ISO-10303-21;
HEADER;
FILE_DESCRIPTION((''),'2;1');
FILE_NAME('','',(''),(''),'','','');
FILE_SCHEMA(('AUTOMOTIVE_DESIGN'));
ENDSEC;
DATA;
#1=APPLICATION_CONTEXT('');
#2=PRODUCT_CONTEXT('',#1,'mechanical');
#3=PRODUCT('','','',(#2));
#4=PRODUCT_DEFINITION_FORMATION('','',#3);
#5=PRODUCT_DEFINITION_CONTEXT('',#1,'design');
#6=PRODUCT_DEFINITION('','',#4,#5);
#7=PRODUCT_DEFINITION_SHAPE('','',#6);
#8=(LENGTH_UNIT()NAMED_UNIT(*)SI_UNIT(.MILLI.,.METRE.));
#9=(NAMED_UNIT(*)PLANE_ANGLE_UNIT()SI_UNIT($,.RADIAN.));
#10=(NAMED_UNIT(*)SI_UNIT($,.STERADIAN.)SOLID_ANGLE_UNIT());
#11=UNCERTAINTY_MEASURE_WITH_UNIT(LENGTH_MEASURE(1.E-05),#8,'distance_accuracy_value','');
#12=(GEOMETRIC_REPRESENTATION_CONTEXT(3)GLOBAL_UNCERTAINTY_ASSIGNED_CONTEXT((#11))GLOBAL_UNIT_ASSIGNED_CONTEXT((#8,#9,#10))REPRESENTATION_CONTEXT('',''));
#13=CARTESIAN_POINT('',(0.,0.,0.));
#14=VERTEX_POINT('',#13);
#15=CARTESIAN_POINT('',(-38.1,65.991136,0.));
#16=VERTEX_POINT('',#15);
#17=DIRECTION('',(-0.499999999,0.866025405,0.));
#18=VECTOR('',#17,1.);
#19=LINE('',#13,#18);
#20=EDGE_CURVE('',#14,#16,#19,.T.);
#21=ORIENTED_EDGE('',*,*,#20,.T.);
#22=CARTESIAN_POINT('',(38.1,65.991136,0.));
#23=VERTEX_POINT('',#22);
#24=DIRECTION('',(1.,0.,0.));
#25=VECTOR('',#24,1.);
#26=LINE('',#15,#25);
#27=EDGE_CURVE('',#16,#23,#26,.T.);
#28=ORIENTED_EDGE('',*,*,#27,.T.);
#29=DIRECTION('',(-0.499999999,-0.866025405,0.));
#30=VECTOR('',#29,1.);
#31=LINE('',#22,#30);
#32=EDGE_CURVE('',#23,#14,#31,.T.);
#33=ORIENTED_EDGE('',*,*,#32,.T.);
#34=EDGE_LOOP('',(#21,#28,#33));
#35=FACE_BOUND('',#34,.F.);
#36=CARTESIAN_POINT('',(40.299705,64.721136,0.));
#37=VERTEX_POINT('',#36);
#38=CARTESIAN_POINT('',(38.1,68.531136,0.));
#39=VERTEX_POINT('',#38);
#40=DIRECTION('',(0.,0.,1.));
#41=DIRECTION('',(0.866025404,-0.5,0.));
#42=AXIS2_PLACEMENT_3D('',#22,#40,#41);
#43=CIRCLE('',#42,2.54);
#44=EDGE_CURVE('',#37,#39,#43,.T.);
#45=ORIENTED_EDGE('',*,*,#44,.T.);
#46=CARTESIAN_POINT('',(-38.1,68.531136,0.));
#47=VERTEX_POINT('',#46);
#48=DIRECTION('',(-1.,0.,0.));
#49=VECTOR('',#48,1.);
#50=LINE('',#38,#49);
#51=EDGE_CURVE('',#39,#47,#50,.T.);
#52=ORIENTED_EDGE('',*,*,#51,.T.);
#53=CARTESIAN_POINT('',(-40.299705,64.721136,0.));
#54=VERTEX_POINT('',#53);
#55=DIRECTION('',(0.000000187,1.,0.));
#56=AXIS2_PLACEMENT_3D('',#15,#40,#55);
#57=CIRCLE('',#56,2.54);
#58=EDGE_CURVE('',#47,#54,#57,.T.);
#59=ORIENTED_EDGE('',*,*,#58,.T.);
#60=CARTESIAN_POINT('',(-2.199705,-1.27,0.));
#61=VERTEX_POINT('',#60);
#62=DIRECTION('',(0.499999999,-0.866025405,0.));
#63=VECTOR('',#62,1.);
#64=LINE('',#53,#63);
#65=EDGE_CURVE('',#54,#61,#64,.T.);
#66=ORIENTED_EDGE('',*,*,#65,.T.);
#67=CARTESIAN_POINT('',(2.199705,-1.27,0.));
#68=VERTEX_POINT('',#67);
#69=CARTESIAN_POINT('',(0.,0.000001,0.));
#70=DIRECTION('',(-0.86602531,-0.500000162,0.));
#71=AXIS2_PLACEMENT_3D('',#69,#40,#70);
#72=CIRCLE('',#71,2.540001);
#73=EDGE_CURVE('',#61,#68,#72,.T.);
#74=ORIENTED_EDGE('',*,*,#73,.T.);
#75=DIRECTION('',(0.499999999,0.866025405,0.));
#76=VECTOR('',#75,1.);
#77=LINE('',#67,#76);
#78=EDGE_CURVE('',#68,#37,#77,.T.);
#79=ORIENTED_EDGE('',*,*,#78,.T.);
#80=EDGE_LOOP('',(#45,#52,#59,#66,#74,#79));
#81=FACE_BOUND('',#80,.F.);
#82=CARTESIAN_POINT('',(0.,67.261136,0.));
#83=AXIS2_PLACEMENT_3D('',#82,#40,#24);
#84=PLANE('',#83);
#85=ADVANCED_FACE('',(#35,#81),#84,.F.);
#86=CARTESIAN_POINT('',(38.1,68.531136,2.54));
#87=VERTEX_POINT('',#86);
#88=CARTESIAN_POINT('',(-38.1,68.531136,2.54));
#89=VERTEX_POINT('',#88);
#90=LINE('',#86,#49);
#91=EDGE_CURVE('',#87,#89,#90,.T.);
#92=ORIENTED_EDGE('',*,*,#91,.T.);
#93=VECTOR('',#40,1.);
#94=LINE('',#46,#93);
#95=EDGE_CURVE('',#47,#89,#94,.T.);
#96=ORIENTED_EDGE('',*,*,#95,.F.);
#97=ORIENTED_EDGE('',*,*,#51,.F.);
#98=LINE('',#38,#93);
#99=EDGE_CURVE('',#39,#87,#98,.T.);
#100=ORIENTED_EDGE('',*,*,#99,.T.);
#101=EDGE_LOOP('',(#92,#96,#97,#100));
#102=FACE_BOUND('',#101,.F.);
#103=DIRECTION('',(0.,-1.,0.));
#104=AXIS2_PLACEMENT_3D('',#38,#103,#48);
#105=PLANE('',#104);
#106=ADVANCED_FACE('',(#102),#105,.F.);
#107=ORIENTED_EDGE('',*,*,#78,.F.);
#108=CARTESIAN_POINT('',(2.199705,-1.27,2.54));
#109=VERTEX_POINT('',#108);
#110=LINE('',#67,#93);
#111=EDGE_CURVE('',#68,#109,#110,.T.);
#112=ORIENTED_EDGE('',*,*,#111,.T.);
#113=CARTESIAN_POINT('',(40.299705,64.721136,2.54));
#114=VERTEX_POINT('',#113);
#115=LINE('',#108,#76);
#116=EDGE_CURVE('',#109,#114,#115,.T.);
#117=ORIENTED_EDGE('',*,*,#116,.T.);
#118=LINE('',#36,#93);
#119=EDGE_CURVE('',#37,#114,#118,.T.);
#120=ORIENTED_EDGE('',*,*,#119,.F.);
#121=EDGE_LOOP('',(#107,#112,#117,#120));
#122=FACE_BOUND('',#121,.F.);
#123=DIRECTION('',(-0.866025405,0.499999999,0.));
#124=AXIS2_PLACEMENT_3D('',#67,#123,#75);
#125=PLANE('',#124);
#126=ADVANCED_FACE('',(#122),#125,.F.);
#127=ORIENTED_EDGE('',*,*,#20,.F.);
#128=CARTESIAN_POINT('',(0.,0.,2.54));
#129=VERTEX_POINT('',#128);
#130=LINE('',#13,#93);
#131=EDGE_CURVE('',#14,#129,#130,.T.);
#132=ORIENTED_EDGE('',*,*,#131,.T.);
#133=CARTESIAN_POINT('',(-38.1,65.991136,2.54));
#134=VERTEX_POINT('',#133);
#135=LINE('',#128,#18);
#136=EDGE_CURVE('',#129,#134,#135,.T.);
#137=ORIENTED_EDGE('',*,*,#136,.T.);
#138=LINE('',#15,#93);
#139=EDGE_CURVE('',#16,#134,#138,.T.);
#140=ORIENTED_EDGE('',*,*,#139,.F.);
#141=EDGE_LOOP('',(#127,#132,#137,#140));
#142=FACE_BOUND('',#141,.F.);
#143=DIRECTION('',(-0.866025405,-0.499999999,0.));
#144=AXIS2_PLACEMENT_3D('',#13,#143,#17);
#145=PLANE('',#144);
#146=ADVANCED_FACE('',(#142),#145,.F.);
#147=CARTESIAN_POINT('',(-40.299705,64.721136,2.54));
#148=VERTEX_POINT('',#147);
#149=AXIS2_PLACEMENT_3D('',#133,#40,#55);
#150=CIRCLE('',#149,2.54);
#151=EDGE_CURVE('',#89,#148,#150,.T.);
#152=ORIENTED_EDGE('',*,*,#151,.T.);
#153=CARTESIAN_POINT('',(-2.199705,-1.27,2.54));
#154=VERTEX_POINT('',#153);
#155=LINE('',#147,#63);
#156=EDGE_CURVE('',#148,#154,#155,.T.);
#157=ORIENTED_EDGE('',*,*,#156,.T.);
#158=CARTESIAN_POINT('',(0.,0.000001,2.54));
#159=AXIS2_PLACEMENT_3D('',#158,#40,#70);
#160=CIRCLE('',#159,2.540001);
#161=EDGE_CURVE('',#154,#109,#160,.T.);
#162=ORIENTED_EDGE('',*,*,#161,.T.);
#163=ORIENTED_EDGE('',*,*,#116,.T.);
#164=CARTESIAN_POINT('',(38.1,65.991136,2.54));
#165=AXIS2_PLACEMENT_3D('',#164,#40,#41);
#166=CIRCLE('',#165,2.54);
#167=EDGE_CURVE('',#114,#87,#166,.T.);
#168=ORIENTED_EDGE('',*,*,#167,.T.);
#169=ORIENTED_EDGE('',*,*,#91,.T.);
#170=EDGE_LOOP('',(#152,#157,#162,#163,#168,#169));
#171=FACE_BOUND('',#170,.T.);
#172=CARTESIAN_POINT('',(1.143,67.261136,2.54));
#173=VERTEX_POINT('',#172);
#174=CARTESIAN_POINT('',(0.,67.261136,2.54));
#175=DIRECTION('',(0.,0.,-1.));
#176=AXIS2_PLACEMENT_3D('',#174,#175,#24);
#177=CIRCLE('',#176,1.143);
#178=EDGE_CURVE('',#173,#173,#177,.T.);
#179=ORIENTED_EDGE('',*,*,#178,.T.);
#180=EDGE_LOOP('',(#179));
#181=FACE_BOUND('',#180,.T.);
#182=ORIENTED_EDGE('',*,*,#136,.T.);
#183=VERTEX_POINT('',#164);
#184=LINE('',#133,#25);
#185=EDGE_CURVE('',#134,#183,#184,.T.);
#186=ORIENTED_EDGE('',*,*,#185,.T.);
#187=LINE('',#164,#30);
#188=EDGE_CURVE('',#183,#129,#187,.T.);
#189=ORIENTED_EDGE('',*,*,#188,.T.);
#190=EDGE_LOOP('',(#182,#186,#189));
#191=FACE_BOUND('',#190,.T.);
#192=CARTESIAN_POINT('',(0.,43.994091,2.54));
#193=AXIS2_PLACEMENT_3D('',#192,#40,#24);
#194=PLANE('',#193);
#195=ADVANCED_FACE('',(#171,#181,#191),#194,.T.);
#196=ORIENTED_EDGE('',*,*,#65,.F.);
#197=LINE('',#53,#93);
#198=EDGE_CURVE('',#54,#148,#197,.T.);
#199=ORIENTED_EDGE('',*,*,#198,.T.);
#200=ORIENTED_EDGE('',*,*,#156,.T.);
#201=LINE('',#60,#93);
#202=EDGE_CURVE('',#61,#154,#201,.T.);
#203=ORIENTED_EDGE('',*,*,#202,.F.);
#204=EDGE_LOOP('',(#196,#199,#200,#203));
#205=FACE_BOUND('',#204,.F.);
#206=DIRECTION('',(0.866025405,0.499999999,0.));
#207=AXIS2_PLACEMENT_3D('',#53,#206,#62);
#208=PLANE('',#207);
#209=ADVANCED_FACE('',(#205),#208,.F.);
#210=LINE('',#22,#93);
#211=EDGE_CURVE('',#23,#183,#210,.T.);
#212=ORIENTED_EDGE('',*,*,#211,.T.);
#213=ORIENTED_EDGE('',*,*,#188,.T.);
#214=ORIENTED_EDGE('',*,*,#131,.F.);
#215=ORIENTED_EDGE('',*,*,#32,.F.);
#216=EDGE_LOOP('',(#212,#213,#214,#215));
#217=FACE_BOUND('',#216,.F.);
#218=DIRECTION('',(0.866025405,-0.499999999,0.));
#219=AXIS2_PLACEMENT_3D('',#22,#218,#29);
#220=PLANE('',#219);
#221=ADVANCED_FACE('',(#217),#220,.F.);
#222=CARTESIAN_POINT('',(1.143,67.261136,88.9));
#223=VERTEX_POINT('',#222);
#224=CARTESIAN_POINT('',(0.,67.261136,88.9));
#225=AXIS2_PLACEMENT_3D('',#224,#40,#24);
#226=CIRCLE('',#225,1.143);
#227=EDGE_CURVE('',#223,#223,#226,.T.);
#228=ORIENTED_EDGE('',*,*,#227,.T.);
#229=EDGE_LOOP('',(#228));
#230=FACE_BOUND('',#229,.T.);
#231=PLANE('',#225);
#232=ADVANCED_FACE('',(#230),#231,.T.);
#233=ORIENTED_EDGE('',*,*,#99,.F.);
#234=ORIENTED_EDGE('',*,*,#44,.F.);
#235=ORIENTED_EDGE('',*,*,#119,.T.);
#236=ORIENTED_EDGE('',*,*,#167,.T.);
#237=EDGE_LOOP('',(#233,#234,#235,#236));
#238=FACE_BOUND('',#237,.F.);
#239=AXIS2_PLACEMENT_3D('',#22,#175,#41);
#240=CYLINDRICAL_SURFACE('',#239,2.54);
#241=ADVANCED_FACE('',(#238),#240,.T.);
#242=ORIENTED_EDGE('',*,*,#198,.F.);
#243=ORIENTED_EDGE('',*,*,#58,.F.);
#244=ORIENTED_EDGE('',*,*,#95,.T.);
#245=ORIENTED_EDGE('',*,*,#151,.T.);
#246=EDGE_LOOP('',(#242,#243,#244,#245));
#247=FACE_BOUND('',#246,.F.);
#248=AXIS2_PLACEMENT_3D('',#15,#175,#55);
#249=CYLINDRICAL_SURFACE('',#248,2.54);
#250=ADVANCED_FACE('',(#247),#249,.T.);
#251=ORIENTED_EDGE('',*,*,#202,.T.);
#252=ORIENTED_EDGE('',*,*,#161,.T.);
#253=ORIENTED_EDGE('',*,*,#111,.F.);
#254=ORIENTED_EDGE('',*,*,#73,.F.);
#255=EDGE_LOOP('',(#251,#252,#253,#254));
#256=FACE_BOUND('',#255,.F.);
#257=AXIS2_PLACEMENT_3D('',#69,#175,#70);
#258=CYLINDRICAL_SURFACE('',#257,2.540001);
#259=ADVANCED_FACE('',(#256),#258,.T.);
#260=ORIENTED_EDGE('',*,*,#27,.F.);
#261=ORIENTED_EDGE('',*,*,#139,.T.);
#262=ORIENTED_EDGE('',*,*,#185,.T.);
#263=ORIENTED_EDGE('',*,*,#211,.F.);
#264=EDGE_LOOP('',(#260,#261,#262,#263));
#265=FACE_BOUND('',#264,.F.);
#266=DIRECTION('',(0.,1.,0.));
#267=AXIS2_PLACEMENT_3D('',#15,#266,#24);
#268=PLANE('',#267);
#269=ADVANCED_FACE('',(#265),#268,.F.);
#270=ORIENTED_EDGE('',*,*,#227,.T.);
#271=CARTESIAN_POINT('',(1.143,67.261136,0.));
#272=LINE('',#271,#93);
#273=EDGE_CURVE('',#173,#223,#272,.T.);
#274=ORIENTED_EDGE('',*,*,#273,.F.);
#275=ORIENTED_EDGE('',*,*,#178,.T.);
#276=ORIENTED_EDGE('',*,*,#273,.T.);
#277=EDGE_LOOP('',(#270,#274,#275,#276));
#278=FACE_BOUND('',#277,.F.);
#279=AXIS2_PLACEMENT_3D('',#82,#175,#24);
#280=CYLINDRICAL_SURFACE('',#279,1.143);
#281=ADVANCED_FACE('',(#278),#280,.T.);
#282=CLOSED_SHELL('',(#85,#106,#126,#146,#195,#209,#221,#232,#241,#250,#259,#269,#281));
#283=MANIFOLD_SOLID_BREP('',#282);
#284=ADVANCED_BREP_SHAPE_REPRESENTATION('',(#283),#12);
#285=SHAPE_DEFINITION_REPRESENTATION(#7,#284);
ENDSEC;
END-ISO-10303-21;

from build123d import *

# Parameters (mm, degrees)
F1_DEPTH = 2.54
F2_R     = 1.143
F3_DEPTH = 88.9


with BuildPart() as f1:
    # F0 (on Top) → F1 (new body)
    with BuildSketch(Plane.XY):
        with BuildLine():
            Line((38.1, 68.531136), (-38.1, 68.531136))
            ThreePointArc((-38.1, 68.531136), (-40.299705, 67.261136), (-40.299705, 64.721136))
            Line((-40.299705, 64.721136), (-2.199705, -1.27))
            ThreePointArc((-2.199705, -1.27), (0, -2.54), (2.199705, -1.27))
            Line((2.199705, -1.27), (40.299705, 64.721136))
            ThreePointArc((40.299705, 64.721136), (40.299705, 67.261136), (38.1, 68.531136))
        make_face()
        Polygon((38.1, 65.991136), (0, 0), (-38.1, 65.991136), align=None, mode=Mode.SUBTRACT)
    extrude(amount=F1_DEPTH)

    # F2 (on Top) → F3 (join)
    with BuildSketch(Plane.XY):
        with Locations((0, 67.261136)):
            Circle(F2_R)
    extrude(amount=F3_DEPTH)


solid = f1.part
